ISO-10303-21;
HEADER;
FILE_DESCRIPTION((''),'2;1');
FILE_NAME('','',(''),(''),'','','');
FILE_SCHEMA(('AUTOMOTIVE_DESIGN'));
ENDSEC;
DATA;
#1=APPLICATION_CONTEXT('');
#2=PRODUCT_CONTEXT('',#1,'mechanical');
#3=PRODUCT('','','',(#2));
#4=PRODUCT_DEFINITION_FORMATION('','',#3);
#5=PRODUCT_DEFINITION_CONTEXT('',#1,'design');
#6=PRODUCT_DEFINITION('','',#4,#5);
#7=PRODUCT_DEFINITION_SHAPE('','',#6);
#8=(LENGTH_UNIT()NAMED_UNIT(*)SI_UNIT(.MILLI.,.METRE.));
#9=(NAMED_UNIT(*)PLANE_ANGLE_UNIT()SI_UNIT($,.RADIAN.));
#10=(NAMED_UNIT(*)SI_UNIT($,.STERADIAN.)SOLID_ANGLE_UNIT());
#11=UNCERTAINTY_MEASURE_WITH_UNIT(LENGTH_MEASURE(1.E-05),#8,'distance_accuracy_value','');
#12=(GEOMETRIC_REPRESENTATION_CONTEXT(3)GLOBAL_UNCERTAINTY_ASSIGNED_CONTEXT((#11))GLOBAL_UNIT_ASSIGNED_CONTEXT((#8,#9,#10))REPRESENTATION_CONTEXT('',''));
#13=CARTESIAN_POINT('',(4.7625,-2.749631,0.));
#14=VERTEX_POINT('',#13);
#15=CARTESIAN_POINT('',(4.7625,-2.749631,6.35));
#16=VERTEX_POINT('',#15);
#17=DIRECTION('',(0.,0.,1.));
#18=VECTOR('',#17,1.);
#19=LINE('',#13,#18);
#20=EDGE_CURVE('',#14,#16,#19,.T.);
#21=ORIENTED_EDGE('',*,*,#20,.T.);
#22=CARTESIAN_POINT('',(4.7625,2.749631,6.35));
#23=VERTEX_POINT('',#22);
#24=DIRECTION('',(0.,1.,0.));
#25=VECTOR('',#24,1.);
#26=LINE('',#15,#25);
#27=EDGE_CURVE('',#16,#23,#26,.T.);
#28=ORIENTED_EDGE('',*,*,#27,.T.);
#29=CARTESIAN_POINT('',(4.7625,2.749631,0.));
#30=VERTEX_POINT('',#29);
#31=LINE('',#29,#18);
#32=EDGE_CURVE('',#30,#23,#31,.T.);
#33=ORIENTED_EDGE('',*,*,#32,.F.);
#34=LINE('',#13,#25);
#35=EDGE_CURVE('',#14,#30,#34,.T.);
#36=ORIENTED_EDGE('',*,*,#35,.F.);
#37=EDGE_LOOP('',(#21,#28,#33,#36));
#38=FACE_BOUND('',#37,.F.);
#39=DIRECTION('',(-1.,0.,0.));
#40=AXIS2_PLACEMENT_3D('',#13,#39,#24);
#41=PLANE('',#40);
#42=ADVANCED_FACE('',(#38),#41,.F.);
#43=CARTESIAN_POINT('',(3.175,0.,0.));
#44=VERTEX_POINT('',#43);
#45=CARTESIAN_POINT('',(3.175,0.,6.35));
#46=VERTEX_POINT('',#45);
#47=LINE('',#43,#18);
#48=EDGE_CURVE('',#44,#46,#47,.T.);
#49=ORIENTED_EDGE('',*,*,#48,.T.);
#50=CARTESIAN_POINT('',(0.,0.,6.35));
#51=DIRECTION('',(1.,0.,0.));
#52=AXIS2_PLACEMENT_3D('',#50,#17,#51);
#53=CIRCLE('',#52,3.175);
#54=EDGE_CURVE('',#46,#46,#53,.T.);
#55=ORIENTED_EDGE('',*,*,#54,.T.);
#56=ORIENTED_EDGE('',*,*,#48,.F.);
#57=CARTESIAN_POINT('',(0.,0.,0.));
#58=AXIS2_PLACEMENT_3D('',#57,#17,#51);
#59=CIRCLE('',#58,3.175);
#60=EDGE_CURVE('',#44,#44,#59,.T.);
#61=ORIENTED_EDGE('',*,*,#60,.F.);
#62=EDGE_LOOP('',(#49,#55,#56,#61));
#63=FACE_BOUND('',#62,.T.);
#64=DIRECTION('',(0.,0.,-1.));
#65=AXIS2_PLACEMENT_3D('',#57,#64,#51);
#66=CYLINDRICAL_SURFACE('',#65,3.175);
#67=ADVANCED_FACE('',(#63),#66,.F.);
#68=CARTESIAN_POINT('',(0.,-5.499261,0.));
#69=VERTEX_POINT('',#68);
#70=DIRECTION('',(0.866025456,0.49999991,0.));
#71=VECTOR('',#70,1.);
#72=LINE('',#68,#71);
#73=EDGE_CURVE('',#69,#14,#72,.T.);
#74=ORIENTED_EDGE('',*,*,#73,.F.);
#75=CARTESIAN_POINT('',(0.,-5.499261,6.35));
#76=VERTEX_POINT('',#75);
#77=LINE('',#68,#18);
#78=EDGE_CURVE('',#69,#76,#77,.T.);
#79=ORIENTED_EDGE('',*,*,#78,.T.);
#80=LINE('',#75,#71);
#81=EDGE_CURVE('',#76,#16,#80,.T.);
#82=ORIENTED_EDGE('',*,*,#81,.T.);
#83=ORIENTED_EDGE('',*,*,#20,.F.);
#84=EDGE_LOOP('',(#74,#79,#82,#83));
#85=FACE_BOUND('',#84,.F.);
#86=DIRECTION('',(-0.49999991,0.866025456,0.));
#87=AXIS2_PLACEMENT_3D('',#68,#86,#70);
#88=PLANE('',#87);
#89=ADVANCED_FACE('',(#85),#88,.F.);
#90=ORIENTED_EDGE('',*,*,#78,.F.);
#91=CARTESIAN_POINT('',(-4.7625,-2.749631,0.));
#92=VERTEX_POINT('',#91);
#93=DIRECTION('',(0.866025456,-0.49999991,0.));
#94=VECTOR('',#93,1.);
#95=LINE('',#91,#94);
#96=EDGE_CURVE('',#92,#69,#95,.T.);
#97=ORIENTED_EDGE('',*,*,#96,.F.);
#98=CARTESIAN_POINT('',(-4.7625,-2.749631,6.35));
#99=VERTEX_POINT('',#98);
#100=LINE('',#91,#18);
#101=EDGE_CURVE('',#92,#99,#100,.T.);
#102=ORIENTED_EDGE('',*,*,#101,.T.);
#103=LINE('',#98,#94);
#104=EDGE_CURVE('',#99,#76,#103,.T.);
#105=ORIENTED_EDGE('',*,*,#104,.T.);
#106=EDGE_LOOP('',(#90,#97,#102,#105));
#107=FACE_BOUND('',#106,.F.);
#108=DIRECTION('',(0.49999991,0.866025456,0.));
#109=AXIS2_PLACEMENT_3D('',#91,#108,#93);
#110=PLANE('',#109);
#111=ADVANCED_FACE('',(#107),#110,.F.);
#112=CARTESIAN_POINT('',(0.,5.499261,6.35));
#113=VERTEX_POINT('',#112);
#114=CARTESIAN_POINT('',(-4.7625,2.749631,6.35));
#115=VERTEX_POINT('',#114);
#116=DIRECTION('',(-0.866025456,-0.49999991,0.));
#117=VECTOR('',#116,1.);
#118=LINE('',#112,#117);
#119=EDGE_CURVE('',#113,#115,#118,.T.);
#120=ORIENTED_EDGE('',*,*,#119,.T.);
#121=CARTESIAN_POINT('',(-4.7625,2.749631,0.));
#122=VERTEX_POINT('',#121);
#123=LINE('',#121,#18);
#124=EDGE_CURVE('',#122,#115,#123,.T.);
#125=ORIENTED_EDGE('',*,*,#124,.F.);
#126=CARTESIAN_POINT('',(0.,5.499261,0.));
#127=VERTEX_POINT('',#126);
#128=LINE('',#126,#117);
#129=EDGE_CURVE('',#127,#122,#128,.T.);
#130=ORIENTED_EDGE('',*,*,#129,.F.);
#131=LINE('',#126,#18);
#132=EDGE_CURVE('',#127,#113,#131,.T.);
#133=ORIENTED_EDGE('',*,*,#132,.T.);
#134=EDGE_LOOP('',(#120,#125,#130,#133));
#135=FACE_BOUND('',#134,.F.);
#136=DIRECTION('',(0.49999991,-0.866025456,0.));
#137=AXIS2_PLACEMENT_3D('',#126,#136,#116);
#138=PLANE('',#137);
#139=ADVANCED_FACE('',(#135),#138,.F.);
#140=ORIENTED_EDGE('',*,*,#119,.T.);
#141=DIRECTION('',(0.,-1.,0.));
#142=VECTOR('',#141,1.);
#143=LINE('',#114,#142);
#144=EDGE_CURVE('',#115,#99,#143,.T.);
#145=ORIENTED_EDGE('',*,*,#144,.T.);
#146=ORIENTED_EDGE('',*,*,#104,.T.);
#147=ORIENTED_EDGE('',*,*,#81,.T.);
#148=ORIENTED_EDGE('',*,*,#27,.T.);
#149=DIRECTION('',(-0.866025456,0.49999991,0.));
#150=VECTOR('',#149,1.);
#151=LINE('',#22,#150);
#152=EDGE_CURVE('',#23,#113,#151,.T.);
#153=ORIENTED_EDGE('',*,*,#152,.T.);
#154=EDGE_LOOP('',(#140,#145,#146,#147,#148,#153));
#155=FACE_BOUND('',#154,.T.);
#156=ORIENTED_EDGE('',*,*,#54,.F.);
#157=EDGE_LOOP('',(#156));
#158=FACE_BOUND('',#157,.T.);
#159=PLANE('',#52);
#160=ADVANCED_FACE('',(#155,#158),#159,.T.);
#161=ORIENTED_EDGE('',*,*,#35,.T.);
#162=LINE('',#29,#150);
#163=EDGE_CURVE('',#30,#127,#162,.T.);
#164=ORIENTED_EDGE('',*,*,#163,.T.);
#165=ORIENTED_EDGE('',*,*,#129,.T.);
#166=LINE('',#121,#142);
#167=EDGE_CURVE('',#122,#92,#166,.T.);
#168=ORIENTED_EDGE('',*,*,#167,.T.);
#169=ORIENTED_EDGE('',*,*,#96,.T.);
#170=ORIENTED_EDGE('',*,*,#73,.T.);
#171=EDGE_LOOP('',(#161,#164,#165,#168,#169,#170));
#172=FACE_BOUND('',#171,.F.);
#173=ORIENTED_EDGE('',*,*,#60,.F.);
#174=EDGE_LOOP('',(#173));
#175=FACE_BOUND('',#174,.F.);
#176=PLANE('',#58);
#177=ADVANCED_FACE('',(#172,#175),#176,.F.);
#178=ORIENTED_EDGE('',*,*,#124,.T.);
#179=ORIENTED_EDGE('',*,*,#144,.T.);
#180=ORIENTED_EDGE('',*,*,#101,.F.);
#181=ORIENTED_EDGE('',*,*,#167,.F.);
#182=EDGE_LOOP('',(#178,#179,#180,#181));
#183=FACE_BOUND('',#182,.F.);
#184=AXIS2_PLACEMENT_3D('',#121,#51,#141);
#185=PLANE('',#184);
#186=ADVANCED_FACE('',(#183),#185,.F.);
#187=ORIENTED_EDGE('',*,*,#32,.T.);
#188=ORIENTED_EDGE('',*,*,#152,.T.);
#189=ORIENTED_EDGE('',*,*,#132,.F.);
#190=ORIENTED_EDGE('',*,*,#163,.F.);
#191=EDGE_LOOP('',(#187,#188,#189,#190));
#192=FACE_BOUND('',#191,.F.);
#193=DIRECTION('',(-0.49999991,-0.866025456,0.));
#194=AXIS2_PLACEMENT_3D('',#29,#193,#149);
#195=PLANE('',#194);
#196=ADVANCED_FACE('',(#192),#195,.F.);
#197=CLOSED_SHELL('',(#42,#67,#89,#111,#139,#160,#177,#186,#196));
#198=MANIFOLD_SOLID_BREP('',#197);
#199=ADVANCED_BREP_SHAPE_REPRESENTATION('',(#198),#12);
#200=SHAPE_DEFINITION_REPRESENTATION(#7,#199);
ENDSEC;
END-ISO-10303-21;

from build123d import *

# Parameters (mm, degrees)
SKETCH_R  = 3.175
PAD_DEPTH = 6.35


with BuildPart() as part:
    # Sketch → Pad (new body)
    with BuildSketch(Plane.XY):
        Polygon((4.7625, -2.749631), (4.7625, 2.749631), (0, 5.499261), (-4.7625, 2.749631), (-4.7625, -2.749631), (0, -5.499261), align=None)
        Circle(SKETCH_R, mode=Mode.SUBTRACT)
    extrude(amount=PAD_DEPTH)


solid = part.part
